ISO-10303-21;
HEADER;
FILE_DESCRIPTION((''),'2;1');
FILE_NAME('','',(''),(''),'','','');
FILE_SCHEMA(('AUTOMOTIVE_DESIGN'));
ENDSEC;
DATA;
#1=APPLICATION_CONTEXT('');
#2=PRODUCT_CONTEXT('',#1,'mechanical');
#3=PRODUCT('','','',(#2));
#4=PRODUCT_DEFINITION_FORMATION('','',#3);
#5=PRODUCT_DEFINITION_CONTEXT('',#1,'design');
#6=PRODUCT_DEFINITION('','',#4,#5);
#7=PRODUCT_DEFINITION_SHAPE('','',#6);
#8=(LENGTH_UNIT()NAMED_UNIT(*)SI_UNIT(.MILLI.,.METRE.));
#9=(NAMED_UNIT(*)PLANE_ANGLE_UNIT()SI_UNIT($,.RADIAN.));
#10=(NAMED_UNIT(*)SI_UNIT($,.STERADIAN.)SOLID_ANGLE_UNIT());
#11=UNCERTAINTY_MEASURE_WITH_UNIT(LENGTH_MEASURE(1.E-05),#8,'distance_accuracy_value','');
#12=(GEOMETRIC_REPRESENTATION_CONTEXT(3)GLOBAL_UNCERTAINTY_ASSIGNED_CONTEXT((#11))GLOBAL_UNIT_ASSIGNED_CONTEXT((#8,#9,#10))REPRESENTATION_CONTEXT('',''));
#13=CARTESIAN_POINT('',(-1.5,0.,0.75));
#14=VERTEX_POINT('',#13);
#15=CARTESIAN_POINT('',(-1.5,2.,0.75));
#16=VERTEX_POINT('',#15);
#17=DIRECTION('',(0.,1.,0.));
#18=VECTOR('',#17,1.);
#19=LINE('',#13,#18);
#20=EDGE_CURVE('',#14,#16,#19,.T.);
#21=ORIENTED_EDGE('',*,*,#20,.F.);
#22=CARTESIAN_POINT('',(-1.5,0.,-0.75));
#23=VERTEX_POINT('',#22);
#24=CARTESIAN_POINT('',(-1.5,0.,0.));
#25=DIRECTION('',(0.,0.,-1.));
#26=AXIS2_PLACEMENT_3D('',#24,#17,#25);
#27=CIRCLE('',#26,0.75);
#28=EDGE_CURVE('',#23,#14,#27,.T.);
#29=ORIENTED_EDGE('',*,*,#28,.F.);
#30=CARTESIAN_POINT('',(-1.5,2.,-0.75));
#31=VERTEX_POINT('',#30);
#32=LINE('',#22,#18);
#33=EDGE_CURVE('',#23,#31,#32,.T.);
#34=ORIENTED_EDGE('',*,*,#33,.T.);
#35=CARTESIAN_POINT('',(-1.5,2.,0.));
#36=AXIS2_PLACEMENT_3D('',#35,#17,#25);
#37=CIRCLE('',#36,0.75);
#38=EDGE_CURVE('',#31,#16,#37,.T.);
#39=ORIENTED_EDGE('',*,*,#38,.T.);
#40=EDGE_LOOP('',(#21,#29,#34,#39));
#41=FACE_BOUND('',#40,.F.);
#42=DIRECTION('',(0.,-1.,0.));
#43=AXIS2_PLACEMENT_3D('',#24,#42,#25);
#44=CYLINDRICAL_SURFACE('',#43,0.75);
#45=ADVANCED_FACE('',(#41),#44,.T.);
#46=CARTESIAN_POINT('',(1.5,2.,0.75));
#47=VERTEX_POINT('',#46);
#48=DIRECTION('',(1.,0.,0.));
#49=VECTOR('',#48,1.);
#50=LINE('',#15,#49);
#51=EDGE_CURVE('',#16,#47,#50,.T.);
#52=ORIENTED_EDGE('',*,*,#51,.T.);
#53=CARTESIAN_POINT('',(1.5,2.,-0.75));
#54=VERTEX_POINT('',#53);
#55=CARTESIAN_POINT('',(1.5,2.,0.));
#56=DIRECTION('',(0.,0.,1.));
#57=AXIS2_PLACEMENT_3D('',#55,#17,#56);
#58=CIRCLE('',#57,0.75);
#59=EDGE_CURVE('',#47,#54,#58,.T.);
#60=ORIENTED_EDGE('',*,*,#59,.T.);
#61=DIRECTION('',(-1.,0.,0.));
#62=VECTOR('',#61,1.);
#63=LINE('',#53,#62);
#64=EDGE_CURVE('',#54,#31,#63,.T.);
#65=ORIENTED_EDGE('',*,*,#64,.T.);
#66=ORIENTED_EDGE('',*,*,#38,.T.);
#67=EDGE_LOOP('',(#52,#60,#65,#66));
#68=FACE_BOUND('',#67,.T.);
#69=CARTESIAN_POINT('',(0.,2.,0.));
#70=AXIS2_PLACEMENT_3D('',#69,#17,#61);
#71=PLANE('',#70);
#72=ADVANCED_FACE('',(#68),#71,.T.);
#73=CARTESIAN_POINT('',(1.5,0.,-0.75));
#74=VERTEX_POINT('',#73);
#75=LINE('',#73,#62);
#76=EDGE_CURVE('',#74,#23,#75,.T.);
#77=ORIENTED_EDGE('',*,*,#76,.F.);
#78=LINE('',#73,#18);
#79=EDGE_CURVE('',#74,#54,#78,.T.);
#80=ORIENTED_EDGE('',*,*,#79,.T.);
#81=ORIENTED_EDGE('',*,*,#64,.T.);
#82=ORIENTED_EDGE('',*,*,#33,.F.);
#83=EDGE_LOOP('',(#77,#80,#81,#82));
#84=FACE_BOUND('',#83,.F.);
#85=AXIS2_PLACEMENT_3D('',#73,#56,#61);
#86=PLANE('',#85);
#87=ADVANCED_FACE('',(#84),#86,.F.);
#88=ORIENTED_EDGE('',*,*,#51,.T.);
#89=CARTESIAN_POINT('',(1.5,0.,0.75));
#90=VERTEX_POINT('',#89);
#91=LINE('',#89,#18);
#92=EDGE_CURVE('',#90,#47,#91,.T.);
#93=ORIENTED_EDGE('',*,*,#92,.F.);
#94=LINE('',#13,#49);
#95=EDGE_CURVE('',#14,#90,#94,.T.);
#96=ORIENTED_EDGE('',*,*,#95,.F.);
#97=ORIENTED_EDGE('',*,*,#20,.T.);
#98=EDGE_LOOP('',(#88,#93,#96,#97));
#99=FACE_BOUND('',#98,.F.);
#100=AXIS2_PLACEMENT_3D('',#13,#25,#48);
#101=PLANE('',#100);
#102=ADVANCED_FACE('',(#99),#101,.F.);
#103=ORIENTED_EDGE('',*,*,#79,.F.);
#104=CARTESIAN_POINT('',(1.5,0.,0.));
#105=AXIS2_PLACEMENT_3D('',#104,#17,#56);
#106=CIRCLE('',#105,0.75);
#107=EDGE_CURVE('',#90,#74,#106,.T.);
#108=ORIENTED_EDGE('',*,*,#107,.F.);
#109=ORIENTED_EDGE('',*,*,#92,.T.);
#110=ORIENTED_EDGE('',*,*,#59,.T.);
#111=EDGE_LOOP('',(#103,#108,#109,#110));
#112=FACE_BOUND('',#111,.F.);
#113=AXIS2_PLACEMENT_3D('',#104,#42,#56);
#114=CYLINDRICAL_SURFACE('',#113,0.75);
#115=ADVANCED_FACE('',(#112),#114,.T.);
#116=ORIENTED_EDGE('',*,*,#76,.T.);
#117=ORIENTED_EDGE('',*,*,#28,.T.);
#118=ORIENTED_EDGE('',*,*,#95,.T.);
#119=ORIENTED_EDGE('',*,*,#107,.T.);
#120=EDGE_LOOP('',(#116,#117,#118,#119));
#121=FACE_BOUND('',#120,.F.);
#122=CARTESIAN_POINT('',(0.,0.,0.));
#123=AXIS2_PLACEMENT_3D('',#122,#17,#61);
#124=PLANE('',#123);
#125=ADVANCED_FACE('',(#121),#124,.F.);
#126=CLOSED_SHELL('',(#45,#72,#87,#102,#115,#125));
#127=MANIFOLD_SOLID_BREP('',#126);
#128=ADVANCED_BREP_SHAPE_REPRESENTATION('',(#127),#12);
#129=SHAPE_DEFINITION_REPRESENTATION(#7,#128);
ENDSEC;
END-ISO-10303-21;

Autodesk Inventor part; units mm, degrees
ref_plane "YZ Plane" through (0, 0, 0) normal (1, 0, 0) x (0, 1, 0)
ref_plane "XZ Plane" through (0, 0, 0) normal (0, 1, 0) x (-1, 0, 0)
ref_plane "XY Plane" through (0, 0, 0) normal (0, 0, 1) x (1, 0, 0)
sketch "Sketch1" plane through (0, 0, 0) normal (0, 1, 0) x (-1, 0, 0)
  line L0 (1.5, 0) -> (-1.5, 0) construction
  line L1 (1.5, 0.75) -> (-1.5, 0.75)
  line L2 (-1.5, -0.75) -> (1.5, -0.75)
  arc A0 (1.5, -0.75) -> (1.5, 0.75) centre (1.5, 0) ccw
  arc A1 (-1.5, 0.75) -> (-1.5, -0.75) centre (-1.5, 0) ccw
  point P0 (0, 0)
  dimension "d0" = 1.5
  dimension "d1" = 1.5
extrude "Extrusion1" add sketch "Sketch1" along normal blind 2
properties part number "Status Indicator" material "Polycarbonate, Clear"
